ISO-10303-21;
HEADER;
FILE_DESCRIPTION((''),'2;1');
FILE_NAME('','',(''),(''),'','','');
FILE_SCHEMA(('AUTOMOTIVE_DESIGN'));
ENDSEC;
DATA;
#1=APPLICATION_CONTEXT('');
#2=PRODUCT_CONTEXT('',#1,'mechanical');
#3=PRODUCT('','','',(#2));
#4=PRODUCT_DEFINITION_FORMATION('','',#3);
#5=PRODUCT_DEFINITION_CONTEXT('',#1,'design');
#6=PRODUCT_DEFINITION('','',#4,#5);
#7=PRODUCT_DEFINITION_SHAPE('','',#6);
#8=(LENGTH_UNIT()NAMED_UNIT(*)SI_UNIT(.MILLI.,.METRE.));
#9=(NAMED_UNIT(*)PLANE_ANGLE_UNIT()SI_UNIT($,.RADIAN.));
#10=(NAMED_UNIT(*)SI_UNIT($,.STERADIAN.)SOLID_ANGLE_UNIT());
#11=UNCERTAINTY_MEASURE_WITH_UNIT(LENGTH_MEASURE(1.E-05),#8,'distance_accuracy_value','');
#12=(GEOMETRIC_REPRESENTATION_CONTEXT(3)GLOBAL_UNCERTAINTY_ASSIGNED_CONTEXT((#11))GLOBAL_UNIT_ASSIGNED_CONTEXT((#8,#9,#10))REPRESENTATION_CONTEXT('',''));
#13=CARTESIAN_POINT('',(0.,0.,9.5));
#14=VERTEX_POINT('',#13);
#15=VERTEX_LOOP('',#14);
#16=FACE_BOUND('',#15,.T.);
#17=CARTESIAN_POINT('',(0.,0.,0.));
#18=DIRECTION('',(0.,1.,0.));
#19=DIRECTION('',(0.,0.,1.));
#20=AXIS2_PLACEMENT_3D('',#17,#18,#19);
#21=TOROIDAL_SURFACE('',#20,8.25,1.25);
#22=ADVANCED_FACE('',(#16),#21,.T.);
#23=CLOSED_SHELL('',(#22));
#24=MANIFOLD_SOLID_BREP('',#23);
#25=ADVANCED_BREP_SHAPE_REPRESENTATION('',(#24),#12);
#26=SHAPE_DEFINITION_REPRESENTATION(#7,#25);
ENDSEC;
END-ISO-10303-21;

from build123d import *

# Parameters (mm, degrees)
CROQUIS1_R = 1.25


with BuildPart() as part:
    # Croquis1 → Revolución1 (revolve)
    with BuildSketch(Plane.XY):
        with Locations((8.25, 0)):
            Circle(CROQUIS1_R)
    revolve(axis=Axis((0, 7.932692308, 0), (0, -1, 0)))


solid = part.part
